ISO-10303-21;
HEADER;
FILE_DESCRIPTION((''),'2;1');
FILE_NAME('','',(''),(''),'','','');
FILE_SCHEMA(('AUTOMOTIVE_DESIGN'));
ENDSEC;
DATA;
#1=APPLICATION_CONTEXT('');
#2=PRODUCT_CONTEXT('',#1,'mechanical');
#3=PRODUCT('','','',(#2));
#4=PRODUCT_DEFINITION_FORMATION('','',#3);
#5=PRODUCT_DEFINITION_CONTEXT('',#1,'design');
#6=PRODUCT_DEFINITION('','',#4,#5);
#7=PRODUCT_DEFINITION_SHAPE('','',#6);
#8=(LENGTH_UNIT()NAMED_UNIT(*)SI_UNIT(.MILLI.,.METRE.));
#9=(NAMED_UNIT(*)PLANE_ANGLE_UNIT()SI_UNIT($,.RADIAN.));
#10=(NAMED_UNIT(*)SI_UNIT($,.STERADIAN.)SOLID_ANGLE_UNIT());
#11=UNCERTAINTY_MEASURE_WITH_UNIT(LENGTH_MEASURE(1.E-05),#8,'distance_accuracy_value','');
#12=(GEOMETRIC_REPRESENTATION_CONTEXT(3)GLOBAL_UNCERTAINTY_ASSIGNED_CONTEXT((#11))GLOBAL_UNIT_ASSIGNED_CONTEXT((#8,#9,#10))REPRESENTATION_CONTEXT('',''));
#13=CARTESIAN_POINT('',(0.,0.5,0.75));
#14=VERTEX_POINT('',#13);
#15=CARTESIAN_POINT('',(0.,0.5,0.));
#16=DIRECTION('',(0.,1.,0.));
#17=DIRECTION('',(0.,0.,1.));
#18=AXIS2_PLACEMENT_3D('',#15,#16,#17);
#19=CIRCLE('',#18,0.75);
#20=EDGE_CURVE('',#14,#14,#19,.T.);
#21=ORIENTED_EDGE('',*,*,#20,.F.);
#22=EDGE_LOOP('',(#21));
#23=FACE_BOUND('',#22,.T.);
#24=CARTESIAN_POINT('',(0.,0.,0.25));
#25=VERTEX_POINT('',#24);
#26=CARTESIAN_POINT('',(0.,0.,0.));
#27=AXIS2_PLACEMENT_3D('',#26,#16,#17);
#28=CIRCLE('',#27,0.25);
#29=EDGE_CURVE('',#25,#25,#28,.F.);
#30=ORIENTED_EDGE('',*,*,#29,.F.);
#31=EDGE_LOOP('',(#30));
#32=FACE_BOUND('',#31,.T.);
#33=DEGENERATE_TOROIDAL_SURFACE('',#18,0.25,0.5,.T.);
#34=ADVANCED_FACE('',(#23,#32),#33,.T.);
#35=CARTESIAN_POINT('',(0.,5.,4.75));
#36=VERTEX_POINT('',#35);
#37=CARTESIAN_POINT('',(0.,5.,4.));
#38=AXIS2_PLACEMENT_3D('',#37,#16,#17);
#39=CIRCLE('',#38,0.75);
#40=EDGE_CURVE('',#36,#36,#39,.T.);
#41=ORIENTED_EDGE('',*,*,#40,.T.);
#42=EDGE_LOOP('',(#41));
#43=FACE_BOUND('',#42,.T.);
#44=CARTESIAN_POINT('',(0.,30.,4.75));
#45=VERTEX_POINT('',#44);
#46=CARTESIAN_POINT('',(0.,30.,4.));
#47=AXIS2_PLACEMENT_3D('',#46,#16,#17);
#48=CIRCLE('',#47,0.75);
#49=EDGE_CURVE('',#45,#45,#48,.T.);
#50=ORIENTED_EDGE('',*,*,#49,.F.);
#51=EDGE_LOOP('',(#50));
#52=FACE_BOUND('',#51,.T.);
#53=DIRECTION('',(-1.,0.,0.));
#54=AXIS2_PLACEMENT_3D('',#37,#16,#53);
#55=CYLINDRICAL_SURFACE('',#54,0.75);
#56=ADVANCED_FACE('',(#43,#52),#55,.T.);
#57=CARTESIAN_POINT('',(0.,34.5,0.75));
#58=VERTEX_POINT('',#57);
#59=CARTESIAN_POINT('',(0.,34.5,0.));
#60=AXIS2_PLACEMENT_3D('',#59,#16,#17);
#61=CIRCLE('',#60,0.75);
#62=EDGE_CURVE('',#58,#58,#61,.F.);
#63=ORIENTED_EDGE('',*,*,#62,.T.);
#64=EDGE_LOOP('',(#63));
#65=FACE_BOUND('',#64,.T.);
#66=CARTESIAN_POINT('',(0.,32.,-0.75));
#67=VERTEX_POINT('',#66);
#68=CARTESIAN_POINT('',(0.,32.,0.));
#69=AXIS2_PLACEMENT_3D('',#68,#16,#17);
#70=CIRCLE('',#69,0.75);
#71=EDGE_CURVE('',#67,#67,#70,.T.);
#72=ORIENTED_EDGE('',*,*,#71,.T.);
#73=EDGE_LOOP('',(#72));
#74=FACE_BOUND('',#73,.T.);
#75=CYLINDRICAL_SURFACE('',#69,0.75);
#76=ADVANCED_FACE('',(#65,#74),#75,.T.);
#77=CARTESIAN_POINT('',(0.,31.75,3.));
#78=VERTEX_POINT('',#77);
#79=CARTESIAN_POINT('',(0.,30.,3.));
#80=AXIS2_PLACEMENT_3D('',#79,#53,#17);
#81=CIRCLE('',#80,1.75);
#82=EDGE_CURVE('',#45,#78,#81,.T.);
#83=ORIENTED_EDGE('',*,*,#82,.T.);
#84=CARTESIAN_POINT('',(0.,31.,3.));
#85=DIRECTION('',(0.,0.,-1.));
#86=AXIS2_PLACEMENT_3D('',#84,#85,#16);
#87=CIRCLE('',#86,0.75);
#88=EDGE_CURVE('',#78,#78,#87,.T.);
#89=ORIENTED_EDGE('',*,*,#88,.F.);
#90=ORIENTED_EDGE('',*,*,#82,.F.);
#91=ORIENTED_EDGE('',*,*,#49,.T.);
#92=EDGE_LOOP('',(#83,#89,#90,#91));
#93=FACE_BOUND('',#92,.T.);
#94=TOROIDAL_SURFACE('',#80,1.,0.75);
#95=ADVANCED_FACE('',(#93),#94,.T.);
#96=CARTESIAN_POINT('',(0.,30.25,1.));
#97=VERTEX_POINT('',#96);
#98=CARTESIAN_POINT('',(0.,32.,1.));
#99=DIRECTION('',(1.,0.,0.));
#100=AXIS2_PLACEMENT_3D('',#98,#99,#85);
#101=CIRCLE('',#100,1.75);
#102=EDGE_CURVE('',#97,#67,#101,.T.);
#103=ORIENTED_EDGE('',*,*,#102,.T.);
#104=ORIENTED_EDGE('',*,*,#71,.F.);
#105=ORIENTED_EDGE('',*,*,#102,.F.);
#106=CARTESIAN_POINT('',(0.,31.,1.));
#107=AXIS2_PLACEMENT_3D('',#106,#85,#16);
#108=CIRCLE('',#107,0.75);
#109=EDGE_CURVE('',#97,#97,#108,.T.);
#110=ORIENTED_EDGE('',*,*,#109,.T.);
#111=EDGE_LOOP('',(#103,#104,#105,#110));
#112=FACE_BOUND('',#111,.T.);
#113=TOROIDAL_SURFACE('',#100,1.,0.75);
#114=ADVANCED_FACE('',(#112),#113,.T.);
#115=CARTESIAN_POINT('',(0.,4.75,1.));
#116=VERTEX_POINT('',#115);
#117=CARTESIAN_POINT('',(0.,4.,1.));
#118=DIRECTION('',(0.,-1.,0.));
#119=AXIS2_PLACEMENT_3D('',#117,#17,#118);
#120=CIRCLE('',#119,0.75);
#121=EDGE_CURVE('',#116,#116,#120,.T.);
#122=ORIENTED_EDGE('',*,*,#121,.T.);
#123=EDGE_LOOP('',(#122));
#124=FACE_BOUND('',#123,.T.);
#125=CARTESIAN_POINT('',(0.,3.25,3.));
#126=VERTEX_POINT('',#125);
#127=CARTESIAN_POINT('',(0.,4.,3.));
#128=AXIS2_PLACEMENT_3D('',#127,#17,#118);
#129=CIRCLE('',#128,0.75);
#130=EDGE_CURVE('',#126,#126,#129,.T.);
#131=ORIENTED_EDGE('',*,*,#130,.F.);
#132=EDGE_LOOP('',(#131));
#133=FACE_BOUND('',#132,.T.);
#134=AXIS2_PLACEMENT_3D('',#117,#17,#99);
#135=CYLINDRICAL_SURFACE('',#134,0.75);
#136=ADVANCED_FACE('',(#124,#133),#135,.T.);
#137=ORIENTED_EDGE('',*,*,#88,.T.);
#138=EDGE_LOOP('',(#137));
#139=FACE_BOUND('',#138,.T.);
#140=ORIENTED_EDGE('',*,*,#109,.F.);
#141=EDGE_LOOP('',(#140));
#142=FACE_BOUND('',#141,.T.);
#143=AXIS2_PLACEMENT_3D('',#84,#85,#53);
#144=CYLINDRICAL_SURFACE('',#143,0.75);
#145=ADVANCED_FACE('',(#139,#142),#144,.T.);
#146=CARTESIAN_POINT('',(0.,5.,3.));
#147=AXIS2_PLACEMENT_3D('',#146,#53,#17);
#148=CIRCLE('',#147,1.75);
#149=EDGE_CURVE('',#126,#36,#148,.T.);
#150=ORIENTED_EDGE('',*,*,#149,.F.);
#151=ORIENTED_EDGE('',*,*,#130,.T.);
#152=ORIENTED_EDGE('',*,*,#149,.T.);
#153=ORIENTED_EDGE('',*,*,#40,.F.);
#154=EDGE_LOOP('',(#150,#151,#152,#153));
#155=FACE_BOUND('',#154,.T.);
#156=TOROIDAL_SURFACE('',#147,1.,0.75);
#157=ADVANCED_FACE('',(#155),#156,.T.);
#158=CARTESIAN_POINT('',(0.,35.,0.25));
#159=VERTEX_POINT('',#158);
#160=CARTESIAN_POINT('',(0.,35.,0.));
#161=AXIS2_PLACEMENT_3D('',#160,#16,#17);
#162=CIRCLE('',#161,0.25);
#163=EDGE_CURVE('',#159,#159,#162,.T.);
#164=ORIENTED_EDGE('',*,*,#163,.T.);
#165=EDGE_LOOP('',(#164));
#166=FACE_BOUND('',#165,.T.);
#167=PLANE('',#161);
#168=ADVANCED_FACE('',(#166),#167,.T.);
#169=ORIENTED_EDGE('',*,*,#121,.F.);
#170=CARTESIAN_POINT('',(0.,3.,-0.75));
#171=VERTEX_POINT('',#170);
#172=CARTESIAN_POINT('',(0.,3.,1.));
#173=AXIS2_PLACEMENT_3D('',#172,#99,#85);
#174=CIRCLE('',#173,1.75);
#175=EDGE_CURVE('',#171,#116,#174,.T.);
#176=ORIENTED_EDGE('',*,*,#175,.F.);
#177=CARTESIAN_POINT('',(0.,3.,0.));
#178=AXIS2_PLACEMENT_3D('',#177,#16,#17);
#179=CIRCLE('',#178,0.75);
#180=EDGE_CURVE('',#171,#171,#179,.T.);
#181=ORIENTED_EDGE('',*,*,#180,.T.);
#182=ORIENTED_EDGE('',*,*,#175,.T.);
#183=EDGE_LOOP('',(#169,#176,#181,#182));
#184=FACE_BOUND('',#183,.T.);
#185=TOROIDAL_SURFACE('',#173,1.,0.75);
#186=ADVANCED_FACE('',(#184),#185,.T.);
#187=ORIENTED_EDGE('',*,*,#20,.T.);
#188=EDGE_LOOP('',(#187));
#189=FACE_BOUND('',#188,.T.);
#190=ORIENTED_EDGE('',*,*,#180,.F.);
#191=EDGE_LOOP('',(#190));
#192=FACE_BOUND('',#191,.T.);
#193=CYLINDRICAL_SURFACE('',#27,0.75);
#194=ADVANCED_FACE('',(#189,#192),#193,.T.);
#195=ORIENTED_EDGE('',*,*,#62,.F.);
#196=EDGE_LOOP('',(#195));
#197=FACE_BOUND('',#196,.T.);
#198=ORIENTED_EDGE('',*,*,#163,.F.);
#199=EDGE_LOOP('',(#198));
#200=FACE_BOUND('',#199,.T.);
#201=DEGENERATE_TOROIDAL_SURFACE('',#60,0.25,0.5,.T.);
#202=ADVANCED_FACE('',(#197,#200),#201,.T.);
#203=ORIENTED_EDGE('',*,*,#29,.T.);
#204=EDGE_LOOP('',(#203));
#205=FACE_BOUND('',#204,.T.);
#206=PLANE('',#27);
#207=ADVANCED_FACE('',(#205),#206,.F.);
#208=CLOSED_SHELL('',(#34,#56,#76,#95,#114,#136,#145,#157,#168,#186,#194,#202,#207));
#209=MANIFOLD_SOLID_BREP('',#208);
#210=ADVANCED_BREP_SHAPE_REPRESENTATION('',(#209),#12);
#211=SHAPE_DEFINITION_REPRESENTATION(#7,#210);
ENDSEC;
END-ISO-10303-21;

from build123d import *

# Parameters (mm, degrees)
SKETCH2_R = 0.75
FILLET1_R = 0.5


with BuildPart() as part:
    # Sweep1: sweep along a curve in space
    with BuildLine() as sweep1_path:
        Line((0, 0, 0), (0, 3, 0))
        ThreePointArc((0, 3, 0), (0, 3.707106781, 0.292893219), (0, 4, 1))
        Line((0, 4, 1), (0, 4, 3))
        ThreePointArc((0, 4, 3), (0, 4.292893219, 3.707106781), (0, 5, 4))
        Line((0, 5, 4), (0, 30, 4))
        ThreePointArc((0, 30, 4), (0, 30.707106781, 3.707106781), (0, 31, 3))
        Line((0, 31, 3), (0, 31, 1))
        ThreePointArc((0, 31, 1), (0, 31.292893219, 0.292893219), (0, 32, 0))
        Line((0, 32, 0), (0, 35, 0))
    # Sketch2 → Sweep1 (sweep)
    with BuildSketch(Plane(origin=(0, 0, 0), x_dir=(1, 0, 0), z_dir=(0, 1, 0))):
        Circle(SKETCH2_R)
    sweep(path=sweep1_path.line)

    # Fillet1
    fillet1_edges = [part.edges().sort_by_distance(p)[0] for p in [
        (-0.75, 35, 0),
        (-0.75, 0, 0),
    ]]
    fillet(fillet1_edges, radius=FILLET1_R)


solid = part.part
